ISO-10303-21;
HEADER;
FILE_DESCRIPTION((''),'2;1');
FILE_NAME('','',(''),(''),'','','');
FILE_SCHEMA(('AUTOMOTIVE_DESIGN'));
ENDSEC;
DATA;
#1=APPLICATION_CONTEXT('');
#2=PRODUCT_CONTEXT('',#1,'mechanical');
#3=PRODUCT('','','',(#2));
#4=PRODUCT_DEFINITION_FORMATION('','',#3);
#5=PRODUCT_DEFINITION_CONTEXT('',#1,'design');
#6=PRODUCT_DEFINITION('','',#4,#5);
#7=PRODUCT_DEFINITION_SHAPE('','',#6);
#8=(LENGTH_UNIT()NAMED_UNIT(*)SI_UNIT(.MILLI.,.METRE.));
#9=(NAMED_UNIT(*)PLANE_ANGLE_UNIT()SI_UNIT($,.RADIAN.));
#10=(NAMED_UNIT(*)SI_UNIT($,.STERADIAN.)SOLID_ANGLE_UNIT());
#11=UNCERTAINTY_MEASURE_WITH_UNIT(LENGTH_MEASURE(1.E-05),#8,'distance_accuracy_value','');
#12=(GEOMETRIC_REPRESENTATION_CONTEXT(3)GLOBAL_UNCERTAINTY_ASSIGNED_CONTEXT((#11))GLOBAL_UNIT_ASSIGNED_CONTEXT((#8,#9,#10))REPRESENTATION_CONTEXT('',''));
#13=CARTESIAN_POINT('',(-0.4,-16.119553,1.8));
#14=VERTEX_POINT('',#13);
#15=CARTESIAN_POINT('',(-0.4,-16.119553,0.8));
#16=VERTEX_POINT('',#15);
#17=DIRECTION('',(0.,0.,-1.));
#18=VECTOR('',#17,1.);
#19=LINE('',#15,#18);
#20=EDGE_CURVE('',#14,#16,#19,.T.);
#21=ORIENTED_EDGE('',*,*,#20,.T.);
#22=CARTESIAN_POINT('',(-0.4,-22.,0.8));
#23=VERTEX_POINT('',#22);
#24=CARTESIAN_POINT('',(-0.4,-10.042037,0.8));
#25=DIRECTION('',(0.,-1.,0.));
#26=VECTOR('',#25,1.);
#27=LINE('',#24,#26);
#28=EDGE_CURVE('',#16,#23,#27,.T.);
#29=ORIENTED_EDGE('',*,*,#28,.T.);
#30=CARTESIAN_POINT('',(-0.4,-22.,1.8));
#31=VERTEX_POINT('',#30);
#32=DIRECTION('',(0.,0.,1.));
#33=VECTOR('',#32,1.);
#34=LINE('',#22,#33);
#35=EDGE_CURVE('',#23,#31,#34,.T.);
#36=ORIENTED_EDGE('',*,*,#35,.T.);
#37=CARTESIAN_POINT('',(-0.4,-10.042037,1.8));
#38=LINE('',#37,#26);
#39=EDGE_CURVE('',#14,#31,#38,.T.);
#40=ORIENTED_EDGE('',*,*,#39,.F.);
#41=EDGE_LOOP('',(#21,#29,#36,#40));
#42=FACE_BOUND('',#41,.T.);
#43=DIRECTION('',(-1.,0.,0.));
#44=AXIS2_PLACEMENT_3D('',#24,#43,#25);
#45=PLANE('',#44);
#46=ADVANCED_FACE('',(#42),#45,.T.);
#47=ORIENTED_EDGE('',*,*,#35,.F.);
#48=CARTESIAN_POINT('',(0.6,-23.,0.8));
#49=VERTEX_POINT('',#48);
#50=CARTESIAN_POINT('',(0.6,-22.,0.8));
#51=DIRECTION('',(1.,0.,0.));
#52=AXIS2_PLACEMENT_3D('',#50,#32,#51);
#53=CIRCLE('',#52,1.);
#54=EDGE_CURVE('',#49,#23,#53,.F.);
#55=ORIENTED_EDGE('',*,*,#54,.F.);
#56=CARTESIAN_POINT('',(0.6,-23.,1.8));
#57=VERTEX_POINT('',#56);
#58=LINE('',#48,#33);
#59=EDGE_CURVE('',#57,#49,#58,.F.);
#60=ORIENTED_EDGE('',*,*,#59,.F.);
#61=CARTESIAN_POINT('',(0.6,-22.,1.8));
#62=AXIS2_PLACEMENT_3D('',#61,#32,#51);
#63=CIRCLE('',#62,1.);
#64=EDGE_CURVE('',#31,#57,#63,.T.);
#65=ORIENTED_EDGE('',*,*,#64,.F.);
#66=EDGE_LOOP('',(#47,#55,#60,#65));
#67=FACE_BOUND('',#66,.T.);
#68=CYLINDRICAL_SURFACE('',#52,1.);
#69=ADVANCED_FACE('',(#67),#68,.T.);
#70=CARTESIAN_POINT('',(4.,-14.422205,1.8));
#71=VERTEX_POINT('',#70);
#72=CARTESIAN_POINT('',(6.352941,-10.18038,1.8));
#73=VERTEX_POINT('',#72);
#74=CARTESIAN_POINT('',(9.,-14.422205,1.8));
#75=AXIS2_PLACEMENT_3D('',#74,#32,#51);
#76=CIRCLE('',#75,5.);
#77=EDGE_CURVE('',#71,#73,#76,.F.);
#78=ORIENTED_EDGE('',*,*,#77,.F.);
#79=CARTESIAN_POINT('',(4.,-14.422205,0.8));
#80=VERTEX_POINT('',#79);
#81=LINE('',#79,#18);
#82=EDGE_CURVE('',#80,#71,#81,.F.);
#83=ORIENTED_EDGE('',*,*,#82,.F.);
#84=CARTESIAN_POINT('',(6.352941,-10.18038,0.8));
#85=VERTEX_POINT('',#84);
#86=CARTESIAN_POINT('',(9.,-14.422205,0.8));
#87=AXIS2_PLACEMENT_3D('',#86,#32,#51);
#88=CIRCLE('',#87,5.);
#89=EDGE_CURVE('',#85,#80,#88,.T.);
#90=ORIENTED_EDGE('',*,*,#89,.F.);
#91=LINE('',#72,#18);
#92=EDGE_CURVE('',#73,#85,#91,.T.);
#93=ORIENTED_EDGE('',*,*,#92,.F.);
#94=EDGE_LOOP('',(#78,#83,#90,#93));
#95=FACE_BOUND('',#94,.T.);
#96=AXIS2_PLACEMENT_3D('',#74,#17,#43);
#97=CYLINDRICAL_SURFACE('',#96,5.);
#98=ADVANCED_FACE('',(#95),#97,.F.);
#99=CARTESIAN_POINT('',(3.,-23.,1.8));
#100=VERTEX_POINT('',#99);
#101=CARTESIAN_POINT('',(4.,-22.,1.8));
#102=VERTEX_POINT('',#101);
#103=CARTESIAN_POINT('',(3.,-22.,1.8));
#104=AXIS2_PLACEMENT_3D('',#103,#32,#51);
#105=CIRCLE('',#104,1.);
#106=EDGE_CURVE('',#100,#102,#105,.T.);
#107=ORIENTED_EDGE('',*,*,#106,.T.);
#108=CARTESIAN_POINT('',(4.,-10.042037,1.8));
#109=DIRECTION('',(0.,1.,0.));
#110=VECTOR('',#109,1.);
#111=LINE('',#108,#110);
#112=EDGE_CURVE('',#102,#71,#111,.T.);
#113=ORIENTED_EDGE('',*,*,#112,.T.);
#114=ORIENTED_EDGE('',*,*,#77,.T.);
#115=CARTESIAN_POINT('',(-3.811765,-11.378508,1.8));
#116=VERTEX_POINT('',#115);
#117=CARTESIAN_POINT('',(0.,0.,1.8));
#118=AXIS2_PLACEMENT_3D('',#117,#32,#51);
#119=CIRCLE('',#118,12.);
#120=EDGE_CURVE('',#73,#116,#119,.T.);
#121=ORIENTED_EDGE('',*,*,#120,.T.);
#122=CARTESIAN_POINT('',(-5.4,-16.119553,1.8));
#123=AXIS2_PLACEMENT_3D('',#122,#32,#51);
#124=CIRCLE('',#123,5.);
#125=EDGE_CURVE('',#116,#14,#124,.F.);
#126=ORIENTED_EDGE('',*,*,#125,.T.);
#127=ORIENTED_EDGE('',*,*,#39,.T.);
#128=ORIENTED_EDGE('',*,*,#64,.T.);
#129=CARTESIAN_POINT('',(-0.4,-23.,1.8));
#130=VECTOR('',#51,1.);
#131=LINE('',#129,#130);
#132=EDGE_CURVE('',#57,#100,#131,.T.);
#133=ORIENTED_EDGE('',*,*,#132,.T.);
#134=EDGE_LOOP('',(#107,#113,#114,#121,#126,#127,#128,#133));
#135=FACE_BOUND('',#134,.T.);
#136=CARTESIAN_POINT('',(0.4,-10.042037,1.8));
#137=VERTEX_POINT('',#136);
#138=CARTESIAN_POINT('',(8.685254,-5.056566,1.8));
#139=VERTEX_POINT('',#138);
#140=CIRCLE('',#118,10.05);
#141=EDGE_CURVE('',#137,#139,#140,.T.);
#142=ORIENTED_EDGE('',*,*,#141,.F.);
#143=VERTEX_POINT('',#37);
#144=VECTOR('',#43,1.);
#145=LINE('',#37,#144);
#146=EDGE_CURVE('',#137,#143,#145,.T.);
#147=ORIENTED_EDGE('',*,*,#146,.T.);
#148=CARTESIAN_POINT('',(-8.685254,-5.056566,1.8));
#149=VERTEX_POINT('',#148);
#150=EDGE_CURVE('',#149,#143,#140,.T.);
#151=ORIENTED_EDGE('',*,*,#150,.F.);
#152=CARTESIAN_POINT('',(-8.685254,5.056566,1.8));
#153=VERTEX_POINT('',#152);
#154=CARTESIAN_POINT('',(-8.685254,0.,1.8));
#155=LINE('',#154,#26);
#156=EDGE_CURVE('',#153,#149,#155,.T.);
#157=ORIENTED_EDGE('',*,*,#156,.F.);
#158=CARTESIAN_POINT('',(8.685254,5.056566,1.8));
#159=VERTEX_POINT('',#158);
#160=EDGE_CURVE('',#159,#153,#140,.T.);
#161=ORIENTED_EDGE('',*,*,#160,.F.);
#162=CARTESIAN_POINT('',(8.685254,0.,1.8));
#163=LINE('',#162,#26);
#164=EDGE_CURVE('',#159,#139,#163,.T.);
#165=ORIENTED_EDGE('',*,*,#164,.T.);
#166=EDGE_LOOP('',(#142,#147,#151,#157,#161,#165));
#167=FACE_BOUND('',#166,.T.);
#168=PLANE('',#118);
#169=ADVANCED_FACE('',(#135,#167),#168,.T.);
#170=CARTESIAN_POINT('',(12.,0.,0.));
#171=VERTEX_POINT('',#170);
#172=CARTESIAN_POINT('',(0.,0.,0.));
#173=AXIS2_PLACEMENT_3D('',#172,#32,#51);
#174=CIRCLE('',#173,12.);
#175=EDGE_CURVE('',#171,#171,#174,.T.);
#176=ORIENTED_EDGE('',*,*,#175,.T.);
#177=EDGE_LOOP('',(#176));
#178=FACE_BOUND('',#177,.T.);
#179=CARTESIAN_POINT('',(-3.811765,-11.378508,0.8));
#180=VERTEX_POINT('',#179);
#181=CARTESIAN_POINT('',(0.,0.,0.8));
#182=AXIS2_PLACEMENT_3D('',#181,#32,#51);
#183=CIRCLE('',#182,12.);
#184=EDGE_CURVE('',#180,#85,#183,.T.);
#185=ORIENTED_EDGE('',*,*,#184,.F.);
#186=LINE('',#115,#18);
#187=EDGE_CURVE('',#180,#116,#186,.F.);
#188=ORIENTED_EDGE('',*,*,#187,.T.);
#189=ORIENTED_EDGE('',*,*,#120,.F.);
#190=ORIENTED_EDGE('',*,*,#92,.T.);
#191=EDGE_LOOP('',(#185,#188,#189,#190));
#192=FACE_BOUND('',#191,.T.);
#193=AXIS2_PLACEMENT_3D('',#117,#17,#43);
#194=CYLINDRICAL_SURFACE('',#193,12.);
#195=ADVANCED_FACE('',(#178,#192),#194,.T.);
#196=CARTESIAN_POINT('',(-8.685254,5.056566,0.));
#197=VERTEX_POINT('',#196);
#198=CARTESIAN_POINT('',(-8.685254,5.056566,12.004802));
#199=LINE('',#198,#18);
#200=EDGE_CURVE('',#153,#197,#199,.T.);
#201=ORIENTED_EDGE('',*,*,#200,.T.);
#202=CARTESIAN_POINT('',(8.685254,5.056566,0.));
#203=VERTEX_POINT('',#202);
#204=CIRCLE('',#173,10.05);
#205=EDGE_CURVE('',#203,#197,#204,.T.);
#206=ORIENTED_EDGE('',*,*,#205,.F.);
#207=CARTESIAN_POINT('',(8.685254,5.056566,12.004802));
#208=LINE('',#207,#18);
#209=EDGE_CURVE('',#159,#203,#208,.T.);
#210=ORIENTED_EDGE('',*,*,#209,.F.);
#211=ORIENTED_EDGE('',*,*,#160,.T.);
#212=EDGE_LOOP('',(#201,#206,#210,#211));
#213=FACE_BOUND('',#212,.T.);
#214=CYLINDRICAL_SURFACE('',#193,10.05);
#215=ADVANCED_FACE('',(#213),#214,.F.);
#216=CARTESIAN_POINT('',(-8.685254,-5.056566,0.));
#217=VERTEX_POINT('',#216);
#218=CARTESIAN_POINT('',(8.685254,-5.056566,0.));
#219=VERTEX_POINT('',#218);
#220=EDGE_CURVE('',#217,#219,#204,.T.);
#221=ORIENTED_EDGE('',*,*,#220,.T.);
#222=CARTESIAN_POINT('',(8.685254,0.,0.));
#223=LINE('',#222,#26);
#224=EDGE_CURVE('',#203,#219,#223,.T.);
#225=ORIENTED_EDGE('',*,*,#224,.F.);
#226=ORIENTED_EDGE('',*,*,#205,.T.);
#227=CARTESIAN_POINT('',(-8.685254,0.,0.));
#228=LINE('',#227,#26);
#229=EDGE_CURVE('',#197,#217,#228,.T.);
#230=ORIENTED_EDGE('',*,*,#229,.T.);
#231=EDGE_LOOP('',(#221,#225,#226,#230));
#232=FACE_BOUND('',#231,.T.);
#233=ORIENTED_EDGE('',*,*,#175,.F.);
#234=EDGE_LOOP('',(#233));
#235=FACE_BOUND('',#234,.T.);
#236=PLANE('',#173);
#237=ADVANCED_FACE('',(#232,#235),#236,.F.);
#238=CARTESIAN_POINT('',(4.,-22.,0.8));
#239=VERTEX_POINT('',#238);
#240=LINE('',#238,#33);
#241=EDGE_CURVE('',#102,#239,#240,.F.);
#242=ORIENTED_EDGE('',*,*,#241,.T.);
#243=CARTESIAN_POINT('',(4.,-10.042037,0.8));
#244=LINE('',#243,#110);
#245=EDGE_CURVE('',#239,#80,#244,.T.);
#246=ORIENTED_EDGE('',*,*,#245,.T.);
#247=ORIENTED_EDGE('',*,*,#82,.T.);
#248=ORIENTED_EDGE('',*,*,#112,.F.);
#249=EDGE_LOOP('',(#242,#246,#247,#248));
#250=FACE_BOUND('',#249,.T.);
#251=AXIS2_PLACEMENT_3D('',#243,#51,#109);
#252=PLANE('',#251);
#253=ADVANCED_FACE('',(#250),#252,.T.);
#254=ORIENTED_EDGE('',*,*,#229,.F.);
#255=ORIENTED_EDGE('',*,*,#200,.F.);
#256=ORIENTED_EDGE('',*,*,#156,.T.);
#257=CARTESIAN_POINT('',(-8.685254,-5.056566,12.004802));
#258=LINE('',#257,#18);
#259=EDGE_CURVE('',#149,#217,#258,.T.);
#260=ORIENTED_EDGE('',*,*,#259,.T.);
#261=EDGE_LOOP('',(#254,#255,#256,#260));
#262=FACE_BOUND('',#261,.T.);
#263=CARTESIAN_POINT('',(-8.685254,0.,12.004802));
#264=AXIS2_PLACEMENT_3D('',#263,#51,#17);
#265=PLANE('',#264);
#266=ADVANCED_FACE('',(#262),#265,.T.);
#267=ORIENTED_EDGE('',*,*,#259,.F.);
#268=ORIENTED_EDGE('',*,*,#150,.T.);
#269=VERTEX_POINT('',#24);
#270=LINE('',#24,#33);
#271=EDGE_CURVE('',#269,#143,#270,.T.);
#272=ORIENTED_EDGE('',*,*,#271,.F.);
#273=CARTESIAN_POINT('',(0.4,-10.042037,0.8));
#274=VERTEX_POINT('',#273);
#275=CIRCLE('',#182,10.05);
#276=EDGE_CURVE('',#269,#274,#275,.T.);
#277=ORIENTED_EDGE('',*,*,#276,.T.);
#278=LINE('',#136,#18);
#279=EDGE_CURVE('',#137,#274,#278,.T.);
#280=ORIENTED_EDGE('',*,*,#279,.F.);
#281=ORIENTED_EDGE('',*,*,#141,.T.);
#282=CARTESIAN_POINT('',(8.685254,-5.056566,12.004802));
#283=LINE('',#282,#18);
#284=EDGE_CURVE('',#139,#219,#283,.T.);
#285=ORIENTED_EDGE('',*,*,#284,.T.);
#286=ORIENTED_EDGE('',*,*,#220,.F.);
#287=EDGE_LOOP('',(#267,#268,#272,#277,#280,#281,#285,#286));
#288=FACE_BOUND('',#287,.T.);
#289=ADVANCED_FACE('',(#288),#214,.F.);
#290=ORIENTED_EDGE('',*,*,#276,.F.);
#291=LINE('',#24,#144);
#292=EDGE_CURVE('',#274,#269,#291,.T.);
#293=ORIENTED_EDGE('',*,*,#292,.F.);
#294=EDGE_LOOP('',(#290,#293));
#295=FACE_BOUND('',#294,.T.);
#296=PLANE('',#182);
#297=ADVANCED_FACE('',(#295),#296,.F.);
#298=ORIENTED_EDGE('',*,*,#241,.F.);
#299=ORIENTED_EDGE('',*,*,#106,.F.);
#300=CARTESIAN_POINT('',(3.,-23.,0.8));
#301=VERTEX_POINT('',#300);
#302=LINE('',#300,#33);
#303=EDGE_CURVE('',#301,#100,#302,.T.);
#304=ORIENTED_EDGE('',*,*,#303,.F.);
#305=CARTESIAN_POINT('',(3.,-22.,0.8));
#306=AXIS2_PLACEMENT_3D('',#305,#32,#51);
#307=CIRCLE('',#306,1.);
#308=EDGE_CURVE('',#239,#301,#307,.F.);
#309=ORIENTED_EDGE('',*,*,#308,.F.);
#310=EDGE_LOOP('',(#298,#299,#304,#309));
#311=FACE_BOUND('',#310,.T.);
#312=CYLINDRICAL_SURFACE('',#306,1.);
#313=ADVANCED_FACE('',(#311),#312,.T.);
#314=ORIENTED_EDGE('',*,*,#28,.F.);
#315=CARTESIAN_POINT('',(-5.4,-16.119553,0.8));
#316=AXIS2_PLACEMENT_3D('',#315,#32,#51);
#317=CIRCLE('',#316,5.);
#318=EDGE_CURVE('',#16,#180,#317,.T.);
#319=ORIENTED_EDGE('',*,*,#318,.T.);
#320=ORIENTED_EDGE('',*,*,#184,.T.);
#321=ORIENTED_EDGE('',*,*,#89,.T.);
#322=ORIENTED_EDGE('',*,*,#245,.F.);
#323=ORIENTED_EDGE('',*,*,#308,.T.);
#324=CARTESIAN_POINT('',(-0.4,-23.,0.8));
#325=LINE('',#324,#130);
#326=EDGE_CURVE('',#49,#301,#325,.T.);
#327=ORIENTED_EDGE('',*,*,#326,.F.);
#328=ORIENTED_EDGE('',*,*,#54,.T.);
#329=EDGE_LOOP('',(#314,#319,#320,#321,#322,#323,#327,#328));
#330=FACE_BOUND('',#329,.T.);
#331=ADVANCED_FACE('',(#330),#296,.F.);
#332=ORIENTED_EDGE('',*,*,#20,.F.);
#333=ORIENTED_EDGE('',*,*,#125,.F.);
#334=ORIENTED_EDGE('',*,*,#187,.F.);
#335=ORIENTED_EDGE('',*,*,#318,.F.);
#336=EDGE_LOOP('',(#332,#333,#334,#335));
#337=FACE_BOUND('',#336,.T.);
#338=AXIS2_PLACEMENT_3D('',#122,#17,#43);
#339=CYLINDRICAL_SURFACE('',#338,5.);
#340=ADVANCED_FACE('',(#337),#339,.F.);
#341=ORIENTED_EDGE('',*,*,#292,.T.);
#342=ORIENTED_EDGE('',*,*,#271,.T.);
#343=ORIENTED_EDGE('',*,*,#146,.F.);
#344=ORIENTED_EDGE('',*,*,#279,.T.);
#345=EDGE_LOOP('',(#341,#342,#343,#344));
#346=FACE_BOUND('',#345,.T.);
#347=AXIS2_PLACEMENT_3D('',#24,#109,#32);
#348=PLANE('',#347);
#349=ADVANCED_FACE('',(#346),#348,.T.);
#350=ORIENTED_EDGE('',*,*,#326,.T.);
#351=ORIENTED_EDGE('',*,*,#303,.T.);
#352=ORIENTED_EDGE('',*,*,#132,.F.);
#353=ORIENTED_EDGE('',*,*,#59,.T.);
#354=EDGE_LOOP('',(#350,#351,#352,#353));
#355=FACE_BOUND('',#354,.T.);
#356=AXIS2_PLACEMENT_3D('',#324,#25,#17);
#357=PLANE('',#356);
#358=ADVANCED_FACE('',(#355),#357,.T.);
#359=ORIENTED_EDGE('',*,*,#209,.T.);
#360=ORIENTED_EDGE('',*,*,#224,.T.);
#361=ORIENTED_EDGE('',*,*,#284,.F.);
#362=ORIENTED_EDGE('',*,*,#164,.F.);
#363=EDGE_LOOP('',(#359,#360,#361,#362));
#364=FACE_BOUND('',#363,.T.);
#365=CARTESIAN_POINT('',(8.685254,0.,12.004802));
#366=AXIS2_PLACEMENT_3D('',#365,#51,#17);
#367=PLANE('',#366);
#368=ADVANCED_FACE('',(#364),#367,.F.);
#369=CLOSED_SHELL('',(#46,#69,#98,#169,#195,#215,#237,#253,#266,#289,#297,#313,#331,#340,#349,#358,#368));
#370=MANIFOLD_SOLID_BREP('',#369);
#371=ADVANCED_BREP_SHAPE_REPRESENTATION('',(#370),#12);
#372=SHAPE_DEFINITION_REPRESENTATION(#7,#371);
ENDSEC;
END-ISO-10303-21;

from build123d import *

# Parameters (mm, degrees)
SKIZZE1_R                       = 12
SKIZZE1_R_2                     = 10.05
AUFSATZ_LINEAR_AUSTRAGEN1_DEPTH = 1.8
SKIZZE2_W                       = 4.4
SKIZZE2_H                       = 12.957963354
AUFSATZ_LINEAR_AUSTRAGEN2_DEPTH = 1
VERRUNDUNG1_R                   = 5
VERRUNDUNG2_R                   = 1
AUFSATZ_LINEAR_AUSTRAGEN3_DEPTH = 1.8


with BuildPart() as part:
    # Skizze1 → Aufsatz-Linear austragen1 (new body)
    with BuildSketch(Plane.XY):
        Circle(SKIZZE1_R)
        Circle(SKIZZE1_R_2, mode=Mode.SUBTRACT)
    extrude(amount=AUFSATZ_LINEAR_AUSTRAGEN1_DEPTH)

    # Skizze2 → Aufsatz-Linear austragen2 (add)
    with BuildSketch(Plane.XY.offset(1.8)):
        with Locations((1.8, -16.521018323)):
            Rectangle(SKIZZE2_W, SKIZZE2_H)
    extrude(amount=-AUFSATZ_LINEAR_AUSTRAGEN2_DEPTH)

    # Verrundung1
    verrundung1_edges = [part.edges().sort_by_distance(p)[0] for p in [
        (-0.4, -11.99333148, 1.3),
        (4, -11.313708499, 1.3),
    ]]
    fillet(verrundung1_edges, radius=VERRUNDUNG1_R)

    # Verrundung2
    verrundung2_edges = [part.edges().sort_by_distance(p)[0] for p in [
        (-0.4, -23, 1.3),
        (4, -23, 1.3),
    ]]
    fillet(verrundung2_edges, radius=VERRUNDUNG2_R)

    # Skizze1<3> → Aufsatz-Linear austragen3 (add)
    with BuildSketch(Plane.XY):
        with BuildLine():
            Line((-8.685254038, -5.056566256), (-8.685254038, 5.056566256))
            ThreePointArc((-8.685254038, 5.056566256), (-10.05, 0), (-8.685254038, -5.056566256))
        make_face()
        with BuildLine():
            ThreePointArc((10.05, 0), (9.702816681, 2.618749408), (8.685254038, 5.056566256))
            Line((8.685254038, 5.056566256), (8.685254038, -5.056566256))
            ThreePointArc((8.685254038, -5.056566256), (9.702816681, -2.618749408), (10.05, 0))
        make_face()
    extrude(amount=AUFSATZ_LINEAR_AUSTRAGEN3_DEPTH)


solid = part.part
